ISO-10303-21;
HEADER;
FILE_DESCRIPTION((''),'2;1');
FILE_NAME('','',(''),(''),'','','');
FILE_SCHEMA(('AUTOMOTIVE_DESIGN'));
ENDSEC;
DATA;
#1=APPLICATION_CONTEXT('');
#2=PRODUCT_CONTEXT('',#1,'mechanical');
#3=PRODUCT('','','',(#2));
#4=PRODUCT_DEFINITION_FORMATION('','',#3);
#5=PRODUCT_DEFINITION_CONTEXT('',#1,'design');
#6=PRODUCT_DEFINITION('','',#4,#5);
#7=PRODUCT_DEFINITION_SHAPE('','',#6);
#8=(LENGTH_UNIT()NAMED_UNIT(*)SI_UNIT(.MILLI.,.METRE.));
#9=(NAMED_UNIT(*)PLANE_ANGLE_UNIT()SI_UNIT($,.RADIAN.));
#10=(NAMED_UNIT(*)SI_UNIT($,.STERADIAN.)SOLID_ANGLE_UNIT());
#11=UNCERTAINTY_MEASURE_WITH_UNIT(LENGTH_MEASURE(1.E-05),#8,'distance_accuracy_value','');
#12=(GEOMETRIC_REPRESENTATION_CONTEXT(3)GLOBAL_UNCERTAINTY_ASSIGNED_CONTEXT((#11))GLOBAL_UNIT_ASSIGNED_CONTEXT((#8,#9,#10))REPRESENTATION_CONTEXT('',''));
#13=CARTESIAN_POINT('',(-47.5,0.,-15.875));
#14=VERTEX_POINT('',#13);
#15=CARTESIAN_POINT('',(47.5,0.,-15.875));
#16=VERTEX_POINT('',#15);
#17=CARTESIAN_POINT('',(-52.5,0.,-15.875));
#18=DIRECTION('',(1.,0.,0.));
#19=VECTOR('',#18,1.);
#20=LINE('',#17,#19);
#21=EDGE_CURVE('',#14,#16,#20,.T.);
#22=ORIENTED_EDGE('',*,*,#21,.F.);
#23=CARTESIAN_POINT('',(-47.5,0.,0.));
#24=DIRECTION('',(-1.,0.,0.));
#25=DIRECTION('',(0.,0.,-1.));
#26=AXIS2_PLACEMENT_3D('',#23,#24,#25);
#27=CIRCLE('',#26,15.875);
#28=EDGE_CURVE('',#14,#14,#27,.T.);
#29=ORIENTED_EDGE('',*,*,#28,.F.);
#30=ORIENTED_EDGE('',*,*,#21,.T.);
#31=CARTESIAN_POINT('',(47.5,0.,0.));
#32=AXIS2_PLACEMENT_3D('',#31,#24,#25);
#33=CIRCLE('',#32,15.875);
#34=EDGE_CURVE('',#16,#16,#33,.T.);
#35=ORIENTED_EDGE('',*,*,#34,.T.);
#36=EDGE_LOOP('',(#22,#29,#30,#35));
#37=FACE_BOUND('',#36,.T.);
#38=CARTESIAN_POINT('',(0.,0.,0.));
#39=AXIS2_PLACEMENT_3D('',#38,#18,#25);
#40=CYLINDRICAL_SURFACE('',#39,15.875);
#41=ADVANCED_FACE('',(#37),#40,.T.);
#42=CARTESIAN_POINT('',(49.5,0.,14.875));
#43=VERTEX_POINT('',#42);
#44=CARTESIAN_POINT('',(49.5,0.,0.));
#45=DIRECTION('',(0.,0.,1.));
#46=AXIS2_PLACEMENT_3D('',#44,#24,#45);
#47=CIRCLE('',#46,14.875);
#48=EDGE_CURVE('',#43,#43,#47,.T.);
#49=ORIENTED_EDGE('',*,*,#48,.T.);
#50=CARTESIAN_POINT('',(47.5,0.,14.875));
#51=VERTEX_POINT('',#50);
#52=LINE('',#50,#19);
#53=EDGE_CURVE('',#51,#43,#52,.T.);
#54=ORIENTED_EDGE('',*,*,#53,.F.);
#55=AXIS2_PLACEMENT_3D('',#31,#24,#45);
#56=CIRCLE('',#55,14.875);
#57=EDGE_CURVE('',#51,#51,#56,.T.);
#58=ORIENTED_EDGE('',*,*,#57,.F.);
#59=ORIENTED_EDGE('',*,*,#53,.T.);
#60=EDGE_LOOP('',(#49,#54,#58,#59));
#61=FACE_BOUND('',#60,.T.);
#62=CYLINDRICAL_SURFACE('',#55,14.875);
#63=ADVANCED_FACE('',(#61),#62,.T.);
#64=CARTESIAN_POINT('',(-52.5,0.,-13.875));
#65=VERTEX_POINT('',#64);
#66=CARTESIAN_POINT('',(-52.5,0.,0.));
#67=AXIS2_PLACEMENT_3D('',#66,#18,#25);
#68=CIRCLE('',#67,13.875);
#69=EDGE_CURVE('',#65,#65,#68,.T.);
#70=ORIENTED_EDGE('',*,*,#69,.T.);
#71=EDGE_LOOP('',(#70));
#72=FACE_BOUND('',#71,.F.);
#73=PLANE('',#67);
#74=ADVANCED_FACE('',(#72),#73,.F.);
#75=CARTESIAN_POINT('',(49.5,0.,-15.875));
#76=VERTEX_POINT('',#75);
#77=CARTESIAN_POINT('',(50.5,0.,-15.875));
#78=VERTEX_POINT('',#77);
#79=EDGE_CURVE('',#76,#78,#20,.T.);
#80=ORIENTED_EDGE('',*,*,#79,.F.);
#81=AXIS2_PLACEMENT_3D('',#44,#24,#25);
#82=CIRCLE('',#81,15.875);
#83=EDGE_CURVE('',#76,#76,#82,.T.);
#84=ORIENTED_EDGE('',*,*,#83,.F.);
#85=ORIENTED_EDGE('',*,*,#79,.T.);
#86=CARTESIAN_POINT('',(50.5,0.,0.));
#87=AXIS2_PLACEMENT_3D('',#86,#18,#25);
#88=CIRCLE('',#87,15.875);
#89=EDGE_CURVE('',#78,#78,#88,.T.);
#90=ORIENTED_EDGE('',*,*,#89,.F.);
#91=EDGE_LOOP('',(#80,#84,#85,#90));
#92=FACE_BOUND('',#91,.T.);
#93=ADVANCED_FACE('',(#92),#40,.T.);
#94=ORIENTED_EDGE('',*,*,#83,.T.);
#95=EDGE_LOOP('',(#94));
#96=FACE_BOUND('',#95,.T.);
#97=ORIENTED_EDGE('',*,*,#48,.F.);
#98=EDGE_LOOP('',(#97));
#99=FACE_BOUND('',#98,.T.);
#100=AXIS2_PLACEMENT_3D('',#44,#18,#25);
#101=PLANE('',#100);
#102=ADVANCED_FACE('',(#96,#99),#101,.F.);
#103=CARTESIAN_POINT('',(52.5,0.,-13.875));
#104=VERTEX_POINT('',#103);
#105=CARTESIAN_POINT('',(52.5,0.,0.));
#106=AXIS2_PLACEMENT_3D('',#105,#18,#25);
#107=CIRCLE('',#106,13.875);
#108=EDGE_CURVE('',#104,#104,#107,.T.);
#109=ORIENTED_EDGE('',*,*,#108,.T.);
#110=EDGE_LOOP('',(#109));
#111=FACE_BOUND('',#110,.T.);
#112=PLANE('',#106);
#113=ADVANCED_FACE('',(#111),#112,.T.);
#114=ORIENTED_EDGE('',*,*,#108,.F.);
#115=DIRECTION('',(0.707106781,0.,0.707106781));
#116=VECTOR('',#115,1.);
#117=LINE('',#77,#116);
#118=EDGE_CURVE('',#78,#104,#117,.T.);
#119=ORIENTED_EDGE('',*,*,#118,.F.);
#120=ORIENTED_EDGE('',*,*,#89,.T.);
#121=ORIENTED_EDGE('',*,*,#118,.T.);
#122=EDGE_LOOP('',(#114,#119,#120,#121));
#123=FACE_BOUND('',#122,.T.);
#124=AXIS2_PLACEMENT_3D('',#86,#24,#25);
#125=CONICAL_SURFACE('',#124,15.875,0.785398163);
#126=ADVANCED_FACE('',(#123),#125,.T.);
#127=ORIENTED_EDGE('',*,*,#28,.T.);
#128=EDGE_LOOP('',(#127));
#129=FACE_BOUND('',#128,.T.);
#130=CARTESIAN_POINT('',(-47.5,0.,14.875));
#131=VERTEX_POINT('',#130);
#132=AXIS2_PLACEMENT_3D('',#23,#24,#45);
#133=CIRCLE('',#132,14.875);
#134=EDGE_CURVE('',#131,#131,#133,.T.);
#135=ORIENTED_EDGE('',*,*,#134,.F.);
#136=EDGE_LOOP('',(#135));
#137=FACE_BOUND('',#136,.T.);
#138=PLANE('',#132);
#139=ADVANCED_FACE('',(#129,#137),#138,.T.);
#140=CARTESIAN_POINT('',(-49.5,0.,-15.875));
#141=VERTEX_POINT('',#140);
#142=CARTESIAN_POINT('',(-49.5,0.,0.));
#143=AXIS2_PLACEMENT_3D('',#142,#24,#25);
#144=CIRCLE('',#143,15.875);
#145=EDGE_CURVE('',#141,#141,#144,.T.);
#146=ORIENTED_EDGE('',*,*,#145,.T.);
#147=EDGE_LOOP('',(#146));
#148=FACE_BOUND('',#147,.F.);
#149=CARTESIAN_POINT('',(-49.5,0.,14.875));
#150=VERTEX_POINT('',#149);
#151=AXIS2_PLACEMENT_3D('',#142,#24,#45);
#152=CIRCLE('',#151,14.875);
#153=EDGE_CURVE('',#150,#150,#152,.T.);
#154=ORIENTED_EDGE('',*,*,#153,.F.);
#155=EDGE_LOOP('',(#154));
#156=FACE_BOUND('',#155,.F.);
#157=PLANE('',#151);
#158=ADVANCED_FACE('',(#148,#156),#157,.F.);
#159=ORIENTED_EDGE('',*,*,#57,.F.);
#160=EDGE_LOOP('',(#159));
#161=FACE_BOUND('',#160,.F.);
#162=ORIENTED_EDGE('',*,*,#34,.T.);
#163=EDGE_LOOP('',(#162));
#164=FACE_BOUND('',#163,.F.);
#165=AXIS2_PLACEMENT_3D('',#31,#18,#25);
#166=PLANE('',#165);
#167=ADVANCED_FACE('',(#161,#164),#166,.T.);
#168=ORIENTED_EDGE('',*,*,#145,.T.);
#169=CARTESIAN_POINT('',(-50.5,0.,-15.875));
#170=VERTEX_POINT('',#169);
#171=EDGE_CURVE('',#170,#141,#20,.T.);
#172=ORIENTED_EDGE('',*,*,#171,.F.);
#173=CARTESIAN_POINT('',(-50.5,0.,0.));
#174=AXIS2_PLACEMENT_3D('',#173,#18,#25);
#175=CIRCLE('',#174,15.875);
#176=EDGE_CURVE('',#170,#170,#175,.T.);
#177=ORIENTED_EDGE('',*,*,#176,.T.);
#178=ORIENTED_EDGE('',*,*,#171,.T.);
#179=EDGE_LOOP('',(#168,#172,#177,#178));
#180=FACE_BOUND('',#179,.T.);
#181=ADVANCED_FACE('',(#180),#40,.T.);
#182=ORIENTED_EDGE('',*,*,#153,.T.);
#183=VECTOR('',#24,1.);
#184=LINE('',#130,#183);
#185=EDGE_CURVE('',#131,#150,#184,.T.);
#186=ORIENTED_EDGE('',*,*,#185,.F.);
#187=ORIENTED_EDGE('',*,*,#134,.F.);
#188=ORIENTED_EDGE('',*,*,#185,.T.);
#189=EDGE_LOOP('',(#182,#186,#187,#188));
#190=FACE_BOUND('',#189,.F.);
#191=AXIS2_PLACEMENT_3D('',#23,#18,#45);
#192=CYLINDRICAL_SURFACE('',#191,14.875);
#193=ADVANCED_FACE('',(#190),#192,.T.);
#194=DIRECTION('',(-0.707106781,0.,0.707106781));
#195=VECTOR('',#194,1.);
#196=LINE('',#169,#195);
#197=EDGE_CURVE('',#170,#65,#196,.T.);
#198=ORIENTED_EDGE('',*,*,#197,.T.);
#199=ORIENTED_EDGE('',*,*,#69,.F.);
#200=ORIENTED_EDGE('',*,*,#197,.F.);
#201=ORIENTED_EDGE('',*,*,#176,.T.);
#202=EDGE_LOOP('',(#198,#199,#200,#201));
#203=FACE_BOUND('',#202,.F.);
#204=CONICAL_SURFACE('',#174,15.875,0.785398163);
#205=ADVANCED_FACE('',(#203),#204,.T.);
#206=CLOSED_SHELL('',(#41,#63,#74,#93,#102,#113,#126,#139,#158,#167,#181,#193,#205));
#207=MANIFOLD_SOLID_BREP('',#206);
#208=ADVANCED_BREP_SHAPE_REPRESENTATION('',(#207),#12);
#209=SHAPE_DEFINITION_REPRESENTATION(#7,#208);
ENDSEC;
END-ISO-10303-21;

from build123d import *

# Parameters (mm, degrees)
SKETCH1_R           = 15.875
BOSS_EXTRUDE1_DEPTH = 52.5
CHAMFER1_SIZE       = 2
SKETCH2_R           = 15.875
SKETCH2_R_2         = 14.875
CUT_EXTRUDE1_DEPTH  = 2


with BuildPart() as part:
    # Sketch1 → Boss-Extrude1 (new body, symmetric)
    with BuildSketch(Plane(origin=(0, 0, 0), x_dir=(0, 0, -1), z_dir=(1, 0, 0))):
        Circle(SKETCH1_R)
    extrude(amount=BOSS_EXTRUDE1_DEPTH, both=True)

    # Chamfer1
    chamfer1_edges = [part.edges().sort_by_distance(p)[0] for p in [
        (-52.5, 0, 15.875),
        (52.5, 0, 15.875),
    ]]
    chamfer(chamfer1_edges, length=CHAMFER1_SIZE)

    # Sketch2 → Cut-Extrude1 (cut)
    with BuildSketch(Plane.ZY.offset(47.5)):
        Circle(SKETCH2_R)
        Circle(SKETCH2_R_2, mode=Mode.SUBTRACT)
    cut_extrude1 = extrude(amount=CUT_EXTRUDE1_DEPTH, mode=Mode.SUBTRACT)

    # Mirror1: Cut-Extrude1 across plane
    add(cut_extrude1.mirror(Plane(origin=(0, 0, 0), x_dir=(0, 0, 1), z_dir=(1, 0, 0))), mode=Mode.SUBTRACT)


solid = part.part
